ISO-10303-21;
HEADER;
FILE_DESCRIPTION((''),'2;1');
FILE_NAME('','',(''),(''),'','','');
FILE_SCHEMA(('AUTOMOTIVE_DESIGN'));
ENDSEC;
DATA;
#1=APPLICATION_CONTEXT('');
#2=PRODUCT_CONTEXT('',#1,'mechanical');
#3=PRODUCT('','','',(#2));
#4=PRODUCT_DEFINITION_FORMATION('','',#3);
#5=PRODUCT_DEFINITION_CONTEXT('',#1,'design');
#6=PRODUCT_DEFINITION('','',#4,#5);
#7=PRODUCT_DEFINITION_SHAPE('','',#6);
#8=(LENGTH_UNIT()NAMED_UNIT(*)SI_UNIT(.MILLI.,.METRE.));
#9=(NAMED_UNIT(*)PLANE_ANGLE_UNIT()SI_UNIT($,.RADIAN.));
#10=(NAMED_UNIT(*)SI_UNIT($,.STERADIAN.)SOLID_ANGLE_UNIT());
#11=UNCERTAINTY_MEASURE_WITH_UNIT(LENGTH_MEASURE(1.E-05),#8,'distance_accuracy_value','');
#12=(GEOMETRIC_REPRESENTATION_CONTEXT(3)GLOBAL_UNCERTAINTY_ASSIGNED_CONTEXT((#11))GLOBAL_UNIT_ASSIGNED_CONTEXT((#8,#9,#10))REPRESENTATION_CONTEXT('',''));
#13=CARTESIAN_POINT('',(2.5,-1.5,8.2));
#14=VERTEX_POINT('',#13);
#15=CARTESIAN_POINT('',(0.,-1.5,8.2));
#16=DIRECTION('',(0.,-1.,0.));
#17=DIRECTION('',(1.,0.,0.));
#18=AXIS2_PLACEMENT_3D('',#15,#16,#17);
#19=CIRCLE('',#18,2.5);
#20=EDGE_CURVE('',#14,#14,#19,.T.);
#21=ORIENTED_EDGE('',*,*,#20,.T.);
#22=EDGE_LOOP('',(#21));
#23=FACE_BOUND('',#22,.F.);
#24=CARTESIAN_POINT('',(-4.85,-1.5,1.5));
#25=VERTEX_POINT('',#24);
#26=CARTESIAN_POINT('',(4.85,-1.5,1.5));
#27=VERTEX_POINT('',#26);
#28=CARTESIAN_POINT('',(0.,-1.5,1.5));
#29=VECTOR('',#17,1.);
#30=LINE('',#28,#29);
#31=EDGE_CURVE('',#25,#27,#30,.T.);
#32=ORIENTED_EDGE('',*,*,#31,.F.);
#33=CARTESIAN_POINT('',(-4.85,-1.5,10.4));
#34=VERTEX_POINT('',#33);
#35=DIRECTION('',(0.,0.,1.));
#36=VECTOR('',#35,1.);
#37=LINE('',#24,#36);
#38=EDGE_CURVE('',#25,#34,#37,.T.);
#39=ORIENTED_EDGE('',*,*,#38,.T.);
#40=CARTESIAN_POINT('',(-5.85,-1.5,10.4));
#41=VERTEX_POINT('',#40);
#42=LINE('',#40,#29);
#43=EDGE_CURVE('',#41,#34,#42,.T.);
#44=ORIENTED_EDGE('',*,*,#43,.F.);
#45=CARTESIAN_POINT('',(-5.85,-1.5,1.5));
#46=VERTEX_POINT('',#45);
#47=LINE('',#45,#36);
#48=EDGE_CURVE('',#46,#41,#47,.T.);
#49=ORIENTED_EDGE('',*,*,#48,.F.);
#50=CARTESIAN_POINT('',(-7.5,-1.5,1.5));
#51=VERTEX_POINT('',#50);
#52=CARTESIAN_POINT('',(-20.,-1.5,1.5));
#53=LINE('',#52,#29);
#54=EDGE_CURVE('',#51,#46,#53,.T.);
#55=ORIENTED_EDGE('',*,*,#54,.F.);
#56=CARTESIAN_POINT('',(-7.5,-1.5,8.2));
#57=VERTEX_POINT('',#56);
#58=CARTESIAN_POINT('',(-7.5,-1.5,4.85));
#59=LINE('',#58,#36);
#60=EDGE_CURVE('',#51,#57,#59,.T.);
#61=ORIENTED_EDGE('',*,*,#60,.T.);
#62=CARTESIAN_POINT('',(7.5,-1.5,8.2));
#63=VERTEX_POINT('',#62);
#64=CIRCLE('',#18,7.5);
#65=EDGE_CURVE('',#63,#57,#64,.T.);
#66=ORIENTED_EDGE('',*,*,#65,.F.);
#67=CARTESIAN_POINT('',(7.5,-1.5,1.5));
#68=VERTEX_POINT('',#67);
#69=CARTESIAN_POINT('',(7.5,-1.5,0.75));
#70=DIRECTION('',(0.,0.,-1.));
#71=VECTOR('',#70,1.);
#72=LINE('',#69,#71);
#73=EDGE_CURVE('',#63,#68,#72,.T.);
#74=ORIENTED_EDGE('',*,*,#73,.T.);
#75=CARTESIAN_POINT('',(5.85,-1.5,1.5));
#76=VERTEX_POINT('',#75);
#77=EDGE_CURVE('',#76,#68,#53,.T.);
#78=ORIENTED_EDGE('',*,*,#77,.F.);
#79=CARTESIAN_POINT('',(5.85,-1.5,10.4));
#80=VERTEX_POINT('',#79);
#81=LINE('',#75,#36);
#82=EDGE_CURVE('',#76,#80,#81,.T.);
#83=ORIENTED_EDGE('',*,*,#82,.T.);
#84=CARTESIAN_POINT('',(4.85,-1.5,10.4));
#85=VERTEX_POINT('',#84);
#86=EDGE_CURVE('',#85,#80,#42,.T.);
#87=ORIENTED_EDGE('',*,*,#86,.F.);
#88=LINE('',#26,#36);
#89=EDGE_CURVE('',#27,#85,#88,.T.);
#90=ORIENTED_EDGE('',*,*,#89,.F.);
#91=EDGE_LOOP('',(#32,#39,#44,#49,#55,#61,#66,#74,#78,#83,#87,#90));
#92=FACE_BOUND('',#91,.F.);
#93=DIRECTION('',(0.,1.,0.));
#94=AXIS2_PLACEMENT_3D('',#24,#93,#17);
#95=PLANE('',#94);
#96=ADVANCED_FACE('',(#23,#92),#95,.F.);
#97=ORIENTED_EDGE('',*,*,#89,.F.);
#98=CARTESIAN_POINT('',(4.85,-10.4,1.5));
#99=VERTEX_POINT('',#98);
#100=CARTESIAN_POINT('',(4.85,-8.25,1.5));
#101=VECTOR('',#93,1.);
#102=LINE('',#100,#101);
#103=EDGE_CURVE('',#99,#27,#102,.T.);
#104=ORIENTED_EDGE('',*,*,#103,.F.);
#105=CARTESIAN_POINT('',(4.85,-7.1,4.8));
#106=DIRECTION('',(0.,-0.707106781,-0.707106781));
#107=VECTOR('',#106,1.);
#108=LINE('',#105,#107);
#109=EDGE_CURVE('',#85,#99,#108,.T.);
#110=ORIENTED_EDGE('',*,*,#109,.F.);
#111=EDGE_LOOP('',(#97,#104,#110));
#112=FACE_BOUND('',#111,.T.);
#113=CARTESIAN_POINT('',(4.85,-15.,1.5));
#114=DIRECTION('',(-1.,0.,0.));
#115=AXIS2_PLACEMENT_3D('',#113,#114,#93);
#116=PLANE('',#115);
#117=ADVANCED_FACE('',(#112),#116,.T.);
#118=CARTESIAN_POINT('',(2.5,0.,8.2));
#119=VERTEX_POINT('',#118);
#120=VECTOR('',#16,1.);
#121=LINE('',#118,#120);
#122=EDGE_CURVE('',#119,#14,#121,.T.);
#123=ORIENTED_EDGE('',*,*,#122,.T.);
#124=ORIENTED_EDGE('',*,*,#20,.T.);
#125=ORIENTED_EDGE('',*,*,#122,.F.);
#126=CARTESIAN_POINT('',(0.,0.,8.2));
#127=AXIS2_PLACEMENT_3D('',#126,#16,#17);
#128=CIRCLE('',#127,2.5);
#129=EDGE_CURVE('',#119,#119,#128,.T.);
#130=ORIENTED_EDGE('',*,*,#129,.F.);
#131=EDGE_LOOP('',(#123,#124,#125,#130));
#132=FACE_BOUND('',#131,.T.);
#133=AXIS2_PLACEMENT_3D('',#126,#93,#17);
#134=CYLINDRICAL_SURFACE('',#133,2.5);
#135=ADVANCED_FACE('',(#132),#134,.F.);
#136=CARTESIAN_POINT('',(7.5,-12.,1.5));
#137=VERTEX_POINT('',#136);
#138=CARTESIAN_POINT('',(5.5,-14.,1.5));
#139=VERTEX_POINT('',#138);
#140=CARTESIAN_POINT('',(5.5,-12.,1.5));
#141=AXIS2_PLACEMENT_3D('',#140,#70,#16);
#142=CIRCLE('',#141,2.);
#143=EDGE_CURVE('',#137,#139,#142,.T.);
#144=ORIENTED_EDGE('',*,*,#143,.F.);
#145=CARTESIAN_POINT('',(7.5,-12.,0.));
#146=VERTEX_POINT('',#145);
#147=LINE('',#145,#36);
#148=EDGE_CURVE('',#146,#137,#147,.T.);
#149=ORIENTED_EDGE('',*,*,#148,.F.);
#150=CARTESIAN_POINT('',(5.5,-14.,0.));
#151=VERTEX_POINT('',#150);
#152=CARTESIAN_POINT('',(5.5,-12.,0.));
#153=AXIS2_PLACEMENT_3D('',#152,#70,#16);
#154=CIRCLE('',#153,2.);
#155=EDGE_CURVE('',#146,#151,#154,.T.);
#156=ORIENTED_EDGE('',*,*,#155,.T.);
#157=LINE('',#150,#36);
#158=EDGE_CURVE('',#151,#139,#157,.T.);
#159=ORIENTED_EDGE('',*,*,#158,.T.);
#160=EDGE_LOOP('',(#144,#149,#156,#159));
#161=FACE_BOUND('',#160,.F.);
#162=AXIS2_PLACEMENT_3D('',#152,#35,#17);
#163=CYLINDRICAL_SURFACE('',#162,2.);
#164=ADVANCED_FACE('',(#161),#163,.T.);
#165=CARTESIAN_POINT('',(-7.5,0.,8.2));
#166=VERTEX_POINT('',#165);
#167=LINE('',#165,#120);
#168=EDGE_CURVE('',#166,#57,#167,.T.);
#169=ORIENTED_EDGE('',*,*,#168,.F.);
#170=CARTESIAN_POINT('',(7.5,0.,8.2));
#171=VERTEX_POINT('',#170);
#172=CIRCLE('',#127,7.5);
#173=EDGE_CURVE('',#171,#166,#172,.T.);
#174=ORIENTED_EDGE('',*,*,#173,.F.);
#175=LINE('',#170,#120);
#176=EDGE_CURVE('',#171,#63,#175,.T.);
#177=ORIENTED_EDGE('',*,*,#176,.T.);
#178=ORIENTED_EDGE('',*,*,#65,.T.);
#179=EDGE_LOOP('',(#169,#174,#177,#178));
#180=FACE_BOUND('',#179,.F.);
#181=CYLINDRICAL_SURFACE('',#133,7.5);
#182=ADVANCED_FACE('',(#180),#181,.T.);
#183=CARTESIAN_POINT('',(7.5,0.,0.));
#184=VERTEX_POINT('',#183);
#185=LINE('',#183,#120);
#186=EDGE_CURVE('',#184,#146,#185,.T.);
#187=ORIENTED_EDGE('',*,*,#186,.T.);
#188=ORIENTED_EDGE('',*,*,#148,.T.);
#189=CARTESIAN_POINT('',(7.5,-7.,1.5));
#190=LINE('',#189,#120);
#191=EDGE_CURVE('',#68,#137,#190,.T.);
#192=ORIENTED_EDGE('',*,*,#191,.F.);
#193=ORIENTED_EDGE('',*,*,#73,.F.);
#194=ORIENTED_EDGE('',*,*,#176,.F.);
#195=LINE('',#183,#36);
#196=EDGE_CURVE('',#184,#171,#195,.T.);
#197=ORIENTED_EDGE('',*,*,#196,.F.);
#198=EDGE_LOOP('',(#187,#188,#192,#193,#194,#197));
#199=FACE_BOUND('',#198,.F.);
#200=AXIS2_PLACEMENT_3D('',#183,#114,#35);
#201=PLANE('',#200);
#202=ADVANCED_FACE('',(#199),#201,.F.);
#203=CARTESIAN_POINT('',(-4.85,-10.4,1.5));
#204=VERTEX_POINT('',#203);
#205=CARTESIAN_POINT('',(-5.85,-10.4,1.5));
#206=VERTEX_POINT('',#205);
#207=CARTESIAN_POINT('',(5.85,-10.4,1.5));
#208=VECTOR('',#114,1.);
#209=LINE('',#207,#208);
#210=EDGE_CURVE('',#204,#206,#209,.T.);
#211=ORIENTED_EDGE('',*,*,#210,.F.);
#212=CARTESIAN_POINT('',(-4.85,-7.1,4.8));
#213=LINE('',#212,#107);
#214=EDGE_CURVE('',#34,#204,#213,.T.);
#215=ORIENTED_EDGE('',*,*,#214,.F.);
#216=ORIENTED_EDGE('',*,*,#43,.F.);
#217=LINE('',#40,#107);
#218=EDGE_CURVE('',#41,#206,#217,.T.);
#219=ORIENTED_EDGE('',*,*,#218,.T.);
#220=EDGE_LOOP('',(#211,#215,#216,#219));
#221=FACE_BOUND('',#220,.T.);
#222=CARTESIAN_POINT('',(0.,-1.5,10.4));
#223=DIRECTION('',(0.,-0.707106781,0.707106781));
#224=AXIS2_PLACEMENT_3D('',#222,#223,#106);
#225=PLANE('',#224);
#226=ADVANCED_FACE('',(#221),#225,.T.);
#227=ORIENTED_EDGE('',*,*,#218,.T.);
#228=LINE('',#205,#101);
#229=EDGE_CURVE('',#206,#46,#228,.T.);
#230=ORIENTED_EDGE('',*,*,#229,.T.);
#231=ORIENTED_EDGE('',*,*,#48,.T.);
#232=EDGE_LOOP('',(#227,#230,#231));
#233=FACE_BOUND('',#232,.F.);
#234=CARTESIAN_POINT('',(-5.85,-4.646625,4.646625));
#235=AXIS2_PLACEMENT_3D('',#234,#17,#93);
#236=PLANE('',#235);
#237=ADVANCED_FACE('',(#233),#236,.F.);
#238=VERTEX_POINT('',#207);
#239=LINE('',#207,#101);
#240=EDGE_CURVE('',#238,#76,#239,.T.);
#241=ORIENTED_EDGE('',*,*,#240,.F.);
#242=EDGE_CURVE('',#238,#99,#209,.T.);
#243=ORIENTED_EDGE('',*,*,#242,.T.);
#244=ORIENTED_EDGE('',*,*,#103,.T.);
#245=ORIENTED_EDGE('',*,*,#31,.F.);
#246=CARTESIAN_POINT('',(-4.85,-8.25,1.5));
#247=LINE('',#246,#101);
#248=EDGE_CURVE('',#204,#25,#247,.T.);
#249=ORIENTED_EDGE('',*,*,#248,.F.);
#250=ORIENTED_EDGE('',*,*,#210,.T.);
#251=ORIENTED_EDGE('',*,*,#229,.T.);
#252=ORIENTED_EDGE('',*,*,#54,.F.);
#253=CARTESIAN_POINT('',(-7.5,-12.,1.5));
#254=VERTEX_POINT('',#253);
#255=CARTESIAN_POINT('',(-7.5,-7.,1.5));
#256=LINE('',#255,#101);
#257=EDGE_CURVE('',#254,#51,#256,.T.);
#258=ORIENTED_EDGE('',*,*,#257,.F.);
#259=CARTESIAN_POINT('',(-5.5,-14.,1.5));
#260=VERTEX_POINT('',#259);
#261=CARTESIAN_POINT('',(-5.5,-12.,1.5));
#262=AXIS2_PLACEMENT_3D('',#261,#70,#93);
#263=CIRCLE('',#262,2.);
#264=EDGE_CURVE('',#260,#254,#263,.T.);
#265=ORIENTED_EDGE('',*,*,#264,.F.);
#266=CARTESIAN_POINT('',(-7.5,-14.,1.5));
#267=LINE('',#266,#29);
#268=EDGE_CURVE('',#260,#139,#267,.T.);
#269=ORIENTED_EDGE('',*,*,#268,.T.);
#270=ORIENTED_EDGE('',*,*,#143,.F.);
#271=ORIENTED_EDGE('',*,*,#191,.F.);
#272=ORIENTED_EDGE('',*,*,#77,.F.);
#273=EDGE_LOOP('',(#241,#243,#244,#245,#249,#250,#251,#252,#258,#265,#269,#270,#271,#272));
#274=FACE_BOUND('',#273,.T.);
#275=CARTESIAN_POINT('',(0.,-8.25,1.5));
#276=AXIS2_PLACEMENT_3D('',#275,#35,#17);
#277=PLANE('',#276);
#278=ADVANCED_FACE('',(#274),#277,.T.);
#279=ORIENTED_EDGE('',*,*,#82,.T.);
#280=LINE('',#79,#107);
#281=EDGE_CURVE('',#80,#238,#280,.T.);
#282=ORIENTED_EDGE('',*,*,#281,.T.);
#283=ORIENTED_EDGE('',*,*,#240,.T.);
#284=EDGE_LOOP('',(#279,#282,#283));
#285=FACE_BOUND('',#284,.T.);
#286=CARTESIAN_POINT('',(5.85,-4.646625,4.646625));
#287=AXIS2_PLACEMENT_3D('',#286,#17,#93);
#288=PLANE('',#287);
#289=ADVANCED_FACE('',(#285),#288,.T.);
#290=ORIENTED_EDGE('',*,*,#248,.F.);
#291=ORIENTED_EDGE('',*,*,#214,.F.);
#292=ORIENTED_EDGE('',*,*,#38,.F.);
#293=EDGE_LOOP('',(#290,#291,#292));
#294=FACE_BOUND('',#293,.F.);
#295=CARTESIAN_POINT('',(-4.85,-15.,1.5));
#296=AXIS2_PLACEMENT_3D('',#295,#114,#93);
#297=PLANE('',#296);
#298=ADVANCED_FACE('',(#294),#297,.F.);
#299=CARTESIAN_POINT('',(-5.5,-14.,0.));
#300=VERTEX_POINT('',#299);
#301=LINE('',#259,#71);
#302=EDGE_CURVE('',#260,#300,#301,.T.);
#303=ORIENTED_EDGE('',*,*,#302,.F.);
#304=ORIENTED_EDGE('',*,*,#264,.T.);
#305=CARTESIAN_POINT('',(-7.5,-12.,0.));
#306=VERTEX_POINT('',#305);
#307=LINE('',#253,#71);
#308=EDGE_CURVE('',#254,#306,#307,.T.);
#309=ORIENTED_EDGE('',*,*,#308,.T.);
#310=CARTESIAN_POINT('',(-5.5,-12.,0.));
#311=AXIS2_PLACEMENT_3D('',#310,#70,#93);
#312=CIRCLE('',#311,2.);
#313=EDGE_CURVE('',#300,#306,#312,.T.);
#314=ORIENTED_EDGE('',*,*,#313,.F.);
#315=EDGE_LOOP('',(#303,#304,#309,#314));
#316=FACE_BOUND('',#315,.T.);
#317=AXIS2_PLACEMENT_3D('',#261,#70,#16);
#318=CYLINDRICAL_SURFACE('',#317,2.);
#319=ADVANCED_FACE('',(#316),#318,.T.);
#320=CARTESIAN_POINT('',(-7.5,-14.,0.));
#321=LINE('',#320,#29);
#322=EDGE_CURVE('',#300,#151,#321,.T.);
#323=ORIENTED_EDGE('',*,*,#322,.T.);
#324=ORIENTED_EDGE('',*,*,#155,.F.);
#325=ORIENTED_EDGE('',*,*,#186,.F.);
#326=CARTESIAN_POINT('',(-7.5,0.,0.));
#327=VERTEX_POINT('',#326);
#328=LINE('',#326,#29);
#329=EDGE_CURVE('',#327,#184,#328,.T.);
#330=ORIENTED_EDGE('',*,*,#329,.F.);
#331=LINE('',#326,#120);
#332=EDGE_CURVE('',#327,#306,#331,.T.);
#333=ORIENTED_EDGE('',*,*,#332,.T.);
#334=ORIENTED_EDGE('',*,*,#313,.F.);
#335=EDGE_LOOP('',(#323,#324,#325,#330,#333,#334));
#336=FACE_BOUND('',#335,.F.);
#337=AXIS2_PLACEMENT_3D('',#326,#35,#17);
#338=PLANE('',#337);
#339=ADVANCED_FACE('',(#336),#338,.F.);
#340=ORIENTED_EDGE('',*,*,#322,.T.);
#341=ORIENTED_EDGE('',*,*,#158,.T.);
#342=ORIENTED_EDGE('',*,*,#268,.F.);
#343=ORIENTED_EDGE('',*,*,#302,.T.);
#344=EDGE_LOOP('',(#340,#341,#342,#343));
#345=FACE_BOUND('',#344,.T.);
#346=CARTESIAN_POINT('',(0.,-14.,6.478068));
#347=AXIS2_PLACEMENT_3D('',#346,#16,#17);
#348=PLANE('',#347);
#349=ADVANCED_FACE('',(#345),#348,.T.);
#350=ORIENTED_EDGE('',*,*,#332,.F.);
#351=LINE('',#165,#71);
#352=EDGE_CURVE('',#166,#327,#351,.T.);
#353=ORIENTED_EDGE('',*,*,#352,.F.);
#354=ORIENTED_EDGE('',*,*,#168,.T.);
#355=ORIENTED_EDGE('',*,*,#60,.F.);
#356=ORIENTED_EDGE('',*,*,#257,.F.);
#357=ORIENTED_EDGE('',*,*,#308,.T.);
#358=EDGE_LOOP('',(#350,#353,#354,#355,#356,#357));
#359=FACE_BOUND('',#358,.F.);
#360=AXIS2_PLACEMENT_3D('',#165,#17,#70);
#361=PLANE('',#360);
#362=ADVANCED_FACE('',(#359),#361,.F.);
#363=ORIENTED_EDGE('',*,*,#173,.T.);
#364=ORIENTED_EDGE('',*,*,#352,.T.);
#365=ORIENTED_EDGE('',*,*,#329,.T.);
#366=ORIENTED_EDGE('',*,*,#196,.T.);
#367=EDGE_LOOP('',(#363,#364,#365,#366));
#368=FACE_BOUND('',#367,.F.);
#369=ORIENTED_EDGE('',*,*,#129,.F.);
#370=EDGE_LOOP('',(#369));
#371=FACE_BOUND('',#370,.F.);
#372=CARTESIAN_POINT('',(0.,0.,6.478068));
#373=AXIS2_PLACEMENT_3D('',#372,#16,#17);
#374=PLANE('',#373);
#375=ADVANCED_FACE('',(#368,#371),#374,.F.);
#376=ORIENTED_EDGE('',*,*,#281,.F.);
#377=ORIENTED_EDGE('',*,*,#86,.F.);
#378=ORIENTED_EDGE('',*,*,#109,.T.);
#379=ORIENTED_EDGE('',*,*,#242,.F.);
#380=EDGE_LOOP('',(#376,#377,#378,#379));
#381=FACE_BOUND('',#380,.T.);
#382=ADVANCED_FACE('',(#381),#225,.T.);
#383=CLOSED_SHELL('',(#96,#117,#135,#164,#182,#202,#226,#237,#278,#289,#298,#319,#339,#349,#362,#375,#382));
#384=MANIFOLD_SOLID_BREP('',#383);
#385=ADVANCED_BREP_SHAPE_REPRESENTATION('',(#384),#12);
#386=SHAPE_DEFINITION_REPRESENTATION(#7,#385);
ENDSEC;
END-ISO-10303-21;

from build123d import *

# Parameters (mm, degrees)
F0_R     = 2.5
F1_DEPTH = 14
F2_W     = 12.5
F2_H     = 16.927838
F3_DEPTH = 20
F5_DEPTH = 5.85
F6_W     = 9.7
F6_H     = 13.5
F7_DEPTH = 26.2
F8_R     = 2


with BuildPart() as f1:
    # F0 (on Front) → F1 (new body)
    with BuildSketch(Plane.XZ):
        with BuildLine():
            Line((7.5, 0), (7.5, 8.2))
            ThreePointArc((7.5, 8.2), (0, 15.7), (-7.5, 8.2))
            Line((-7.5, 8.2), (-7.5, 0))
            Line((-7.5, 0), (7.5, 0))
        make_face()
        with Locations((0, 8.2)):
            Circle(F0_R, mode=Mode.SUBTRACT)
    extrude(amount=F1_DEPTH)

    # F2 (on Right) → F3 (cut, symmetric)
    with BuildSketch(Plane.YZ):
        with Locations((-7.75, 9.963919)):
            Rectangle(F2_W, F2_H)
    extrude(amount=F3_DEPTH, both=True, mode=Mode.SUBTRACT)

    # F4 (on Right) → F5 (join, symmetric)
    with BuildSketch(Plane.YZ):
        Polygon((-1.5, 1.5), (-1.5, 10.4), (-10.4, 1.5), align=None)
    extrude(amount=F5_DEPTH, both=True)

    # F6 (on face) → F7 (cut)
    with BuildSketch(Plane.XY.offset(1.5)):
        with Locations((0, -8.25)):
            Rectangle(F6_W, F6_H)
    extrude(amount=F7_DEPTH, mode=Mode.SUBTRACT)

    # F8
    f8_edges = [f1.edges().sort_by_distance(p)[0] for p in [
        (7.5, -14, 0.75),
        (-7.5, -14, 0.75),
    ]]
    fillet(f8_edges, radius=F8_R)


solid = f1.part
